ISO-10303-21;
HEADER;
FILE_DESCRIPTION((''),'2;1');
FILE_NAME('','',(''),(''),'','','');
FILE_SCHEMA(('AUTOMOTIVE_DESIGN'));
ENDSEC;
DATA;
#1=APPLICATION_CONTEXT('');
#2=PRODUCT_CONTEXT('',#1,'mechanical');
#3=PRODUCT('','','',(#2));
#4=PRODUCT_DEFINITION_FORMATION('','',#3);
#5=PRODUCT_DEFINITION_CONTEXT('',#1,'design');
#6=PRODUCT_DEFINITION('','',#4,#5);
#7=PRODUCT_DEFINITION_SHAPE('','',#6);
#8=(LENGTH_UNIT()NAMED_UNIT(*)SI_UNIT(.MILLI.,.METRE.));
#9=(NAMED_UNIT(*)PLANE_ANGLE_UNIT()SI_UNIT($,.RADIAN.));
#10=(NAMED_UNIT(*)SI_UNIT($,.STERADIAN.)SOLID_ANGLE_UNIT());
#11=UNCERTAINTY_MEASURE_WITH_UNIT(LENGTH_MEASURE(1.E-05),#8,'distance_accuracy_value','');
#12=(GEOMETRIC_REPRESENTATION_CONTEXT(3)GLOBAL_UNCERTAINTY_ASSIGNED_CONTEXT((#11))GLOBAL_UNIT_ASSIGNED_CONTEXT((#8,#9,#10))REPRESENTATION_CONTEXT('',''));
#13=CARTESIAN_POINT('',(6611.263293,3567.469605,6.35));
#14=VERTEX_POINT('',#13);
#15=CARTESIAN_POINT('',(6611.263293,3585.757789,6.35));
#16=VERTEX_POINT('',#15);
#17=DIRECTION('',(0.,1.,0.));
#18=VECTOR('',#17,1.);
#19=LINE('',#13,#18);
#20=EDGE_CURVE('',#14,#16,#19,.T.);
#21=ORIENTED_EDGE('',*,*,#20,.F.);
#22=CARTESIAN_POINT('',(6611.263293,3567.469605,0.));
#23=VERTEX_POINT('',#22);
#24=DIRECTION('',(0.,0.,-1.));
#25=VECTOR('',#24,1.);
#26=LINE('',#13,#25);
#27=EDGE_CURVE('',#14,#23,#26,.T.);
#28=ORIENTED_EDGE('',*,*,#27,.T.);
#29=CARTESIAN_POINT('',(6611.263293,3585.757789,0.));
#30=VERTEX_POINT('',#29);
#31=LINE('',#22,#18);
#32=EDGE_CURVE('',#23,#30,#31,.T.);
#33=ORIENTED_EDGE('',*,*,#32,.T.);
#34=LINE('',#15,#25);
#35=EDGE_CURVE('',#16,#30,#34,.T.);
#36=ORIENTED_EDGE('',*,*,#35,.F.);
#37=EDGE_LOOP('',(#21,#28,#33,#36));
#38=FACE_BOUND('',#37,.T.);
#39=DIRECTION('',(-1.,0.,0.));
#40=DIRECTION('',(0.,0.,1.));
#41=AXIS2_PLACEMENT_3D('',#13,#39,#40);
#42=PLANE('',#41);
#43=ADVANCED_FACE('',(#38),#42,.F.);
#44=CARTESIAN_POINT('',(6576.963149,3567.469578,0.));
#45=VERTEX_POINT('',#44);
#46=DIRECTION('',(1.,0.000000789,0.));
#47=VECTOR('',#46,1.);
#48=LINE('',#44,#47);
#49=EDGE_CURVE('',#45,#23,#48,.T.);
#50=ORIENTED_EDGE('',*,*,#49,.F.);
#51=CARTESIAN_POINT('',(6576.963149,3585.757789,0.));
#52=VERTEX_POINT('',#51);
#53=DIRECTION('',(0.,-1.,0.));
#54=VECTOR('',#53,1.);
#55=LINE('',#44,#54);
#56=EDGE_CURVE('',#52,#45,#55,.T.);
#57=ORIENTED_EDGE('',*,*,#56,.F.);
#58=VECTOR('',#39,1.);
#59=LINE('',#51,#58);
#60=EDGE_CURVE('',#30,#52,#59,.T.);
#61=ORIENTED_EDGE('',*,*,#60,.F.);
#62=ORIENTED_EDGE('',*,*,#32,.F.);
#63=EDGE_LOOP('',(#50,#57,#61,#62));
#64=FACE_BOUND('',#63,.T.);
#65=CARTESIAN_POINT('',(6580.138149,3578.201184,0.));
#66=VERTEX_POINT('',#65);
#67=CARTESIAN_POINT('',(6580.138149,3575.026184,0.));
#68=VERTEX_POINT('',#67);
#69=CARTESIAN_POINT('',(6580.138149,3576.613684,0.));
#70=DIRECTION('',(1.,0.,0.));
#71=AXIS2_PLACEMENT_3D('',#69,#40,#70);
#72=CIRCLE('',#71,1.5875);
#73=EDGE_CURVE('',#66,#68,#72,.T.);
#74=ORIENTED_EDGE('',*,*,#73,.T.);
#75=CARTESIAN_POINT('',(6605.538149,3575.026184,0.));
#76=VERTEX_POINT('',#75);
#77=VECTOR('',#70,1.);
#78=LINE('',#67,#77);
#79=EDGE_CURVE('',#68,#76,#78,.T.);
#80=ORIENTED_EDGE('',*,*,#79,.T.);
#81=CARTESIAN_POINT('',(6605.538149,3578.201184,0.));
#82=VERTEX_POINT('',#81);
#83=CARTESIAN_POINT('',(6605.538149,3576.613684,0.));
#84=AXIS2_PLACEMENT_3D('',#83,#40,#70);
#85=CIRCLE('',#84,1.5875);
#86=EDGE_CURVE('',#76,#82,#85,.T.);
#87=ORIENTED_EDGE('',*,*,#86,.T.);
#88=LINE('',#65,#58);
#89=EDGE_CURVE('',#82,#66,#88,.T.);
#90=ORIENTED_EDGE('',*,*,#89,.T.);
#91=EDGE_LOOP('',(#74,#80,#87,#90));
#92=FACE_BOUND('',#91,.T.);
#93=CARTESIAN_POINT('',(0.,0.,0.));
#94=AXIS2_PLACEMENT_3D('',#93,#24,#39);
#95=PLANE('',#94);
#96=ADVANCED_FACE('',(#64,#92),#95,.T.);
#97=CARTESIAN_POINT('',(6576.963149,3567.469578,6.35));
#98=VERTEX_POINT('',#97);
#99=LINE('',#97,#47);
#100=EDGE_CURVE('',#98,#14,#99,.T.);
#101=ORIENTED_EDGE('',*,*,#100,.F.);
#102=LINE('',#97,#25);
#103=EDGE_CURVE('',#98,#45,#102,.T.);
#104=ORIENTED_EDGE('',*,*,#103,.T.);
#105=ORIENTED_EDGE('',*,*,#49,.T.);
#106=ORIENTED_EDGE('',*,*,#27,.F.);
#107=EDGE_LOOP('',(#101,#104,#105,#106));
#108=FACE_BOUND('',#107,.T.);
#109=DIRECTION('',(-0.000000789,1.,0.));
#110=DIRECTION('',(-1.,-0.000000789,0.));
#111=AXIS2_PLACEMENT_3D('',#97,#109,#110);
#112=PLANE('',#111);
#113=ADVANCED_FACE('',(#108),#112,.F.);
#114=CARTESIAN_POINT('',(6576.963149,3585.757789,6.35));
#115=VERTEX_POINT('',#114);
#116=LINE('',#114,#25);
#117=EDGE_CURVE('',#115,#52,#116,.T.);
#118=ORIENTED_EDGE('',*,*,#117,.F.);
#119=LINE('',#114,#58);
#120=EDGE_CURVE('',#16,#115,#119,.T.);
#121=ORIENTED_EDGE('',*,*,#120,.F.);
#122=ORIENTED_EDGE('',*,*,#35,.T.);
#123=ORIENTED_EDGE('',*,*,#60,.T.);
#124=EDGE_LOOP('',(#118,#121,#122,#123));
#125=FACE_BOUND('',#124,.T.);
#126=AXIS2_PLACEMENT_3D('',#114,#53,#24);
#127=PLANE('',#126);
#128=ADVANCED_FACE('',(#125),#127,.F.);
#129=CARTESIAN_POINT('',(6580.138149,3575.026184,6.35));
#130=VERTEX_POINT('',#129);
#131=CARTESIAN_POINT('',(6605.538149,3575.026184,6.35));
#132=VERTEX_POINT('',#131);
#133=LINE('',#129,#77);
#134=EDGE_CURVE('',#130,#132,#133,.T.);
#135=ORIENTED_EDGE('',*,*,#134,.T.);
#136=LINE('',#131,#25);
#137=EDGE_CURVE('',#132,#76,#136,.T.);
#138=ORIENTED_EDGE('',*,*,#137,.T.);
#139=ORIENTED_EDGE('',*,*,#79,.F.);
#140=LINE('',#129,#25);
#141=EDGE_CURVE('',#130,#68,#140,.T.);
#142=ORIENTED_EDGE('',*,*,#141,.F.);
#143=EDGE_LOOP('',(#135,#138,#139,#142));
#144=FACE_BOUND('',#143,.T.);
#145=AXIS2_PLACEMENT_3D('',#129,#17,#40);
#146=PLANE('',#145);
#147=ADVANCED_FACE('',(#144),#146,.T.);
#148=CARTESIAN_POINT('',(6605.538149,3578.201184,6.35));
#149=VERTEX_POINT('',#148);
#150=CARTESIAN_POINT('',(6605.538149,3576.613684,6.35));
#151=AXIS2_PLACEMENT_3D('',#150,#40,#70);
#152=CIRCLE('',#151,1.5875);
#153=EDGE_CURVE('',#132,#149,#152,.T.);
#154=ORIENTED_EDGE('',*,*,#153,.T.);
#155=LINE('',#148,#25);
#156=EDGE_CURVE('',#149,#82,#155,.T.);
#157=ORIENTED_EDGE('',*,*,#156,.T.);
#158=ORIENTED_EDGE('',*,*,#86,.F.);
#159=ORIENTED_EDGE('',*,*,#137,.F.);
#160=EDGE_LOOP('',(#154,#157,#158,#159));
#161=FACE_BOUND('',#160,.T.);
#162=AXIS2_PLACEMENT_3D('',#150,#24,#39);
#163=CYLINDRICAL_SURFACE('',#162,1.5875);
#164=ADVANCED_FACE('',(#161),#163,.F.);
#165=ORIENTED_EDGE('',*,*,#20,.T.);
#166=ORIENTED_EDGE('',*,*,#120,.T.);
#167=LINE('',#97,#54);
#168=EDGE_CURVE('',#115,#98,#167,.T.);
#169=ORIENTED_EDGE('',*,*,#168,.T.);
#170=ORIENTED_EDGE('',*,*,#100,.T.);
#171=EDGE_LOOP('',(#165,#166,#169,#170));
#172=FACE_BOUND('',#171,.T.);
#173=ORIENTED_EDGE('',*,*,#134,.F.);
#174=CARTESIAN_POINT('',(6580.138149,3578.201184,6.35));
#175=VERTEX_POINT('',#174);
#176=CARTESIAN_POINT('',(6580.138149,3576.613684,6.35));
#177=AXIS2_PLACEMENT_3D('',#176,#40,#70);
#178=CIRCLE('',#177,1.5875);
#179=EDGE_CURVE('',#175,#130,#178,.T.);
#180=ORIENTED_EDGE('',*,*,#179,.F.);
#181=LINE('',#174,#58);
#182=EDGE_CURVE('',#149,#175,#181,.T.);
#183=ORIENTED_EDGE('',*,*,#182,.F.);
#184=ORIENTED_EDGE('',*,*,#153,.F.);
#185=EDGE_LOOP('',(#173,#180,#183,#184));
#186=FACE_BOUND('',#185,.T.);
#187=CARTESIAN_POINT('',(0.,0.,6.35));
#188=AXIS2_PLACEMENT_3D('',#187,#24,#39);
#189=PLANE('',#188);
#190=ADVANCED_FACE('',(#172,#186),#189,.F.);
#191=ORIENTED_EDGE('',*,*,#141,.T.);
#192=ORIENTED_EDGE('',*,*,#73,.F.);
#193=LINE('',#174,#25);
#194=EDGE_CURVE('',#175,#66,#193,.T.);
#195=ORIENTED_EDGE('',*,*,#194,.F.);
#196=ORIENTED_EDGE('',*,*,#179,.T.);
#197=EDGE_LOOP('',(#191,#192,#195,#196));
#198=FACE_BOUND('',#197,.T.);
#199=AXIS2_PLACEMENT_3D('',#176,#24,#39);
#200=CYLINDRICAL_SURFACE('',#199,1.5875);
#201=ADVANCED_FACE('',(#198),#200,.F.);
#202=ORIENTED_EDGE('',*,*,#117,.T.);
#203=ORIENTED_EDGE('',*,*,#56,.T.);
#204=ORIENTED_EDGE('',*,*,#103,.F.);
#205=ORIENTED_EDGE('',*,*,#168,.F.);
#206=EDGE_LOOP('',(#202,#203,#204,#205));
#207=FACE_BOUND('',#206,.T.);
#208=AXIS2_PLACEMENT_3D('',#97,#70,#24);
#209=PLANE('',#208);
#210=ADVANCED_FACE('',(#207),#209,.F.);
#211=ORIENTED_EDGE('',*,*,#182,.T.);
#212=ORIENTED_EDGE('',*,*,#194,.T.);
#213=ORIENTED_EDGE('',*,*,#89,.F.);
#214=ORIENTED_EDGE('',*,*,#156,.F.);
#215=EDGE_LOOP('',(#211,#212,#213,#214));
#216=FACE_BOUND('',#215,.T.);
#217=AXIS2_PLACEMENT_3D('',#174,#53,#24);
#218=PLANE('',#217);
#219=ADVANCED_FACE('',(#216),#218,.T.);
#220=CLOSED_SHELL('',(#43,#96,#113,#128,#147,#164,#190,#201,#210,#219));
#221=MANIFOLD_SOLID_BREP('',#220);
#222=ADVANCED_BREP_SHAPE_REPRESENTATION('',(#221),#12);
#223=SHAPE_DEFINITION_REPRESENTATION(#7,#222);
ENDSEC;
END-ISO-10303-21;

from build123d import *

# Parameters (mm, degrees)
BOSS_EXTRUDE1_DEPTH = 6.35


with BuildPart() as part:
    # Sketch1 → Boss-Extrude1 (new body)
    with BuildSketch(Plane.XY):
        Polygon((6576.963149331, 3585.75778924), (6611.263293087, 3585.75778924), (6611.263293087, 3567.469605114), (6576.963149331, 3567.46957805), align=None)
        with BuildLine():
            Line((6580.138149331, 3578.201183645), (6605.538149331, 3578.201183645))
            ThreePointArc((6605.538149331, 3578.201183645), (6607.125649331, 3576.613683645), (6605.538149331, 3575.026183645))
            Line((6605.538149331, 3575.026183645), (6580.138149331, 3575.026183645))
            ThreePointArc((6580.138149331, 3575.026183645), (6578.550649331, 3576.613683645), (6580.138149331, 3578.201183645))
        make_face(mode=Mode.SUBTRACT)
    extrude(amount=BOSS_EXTRUDE1_DEPTH)


solid = part.part
